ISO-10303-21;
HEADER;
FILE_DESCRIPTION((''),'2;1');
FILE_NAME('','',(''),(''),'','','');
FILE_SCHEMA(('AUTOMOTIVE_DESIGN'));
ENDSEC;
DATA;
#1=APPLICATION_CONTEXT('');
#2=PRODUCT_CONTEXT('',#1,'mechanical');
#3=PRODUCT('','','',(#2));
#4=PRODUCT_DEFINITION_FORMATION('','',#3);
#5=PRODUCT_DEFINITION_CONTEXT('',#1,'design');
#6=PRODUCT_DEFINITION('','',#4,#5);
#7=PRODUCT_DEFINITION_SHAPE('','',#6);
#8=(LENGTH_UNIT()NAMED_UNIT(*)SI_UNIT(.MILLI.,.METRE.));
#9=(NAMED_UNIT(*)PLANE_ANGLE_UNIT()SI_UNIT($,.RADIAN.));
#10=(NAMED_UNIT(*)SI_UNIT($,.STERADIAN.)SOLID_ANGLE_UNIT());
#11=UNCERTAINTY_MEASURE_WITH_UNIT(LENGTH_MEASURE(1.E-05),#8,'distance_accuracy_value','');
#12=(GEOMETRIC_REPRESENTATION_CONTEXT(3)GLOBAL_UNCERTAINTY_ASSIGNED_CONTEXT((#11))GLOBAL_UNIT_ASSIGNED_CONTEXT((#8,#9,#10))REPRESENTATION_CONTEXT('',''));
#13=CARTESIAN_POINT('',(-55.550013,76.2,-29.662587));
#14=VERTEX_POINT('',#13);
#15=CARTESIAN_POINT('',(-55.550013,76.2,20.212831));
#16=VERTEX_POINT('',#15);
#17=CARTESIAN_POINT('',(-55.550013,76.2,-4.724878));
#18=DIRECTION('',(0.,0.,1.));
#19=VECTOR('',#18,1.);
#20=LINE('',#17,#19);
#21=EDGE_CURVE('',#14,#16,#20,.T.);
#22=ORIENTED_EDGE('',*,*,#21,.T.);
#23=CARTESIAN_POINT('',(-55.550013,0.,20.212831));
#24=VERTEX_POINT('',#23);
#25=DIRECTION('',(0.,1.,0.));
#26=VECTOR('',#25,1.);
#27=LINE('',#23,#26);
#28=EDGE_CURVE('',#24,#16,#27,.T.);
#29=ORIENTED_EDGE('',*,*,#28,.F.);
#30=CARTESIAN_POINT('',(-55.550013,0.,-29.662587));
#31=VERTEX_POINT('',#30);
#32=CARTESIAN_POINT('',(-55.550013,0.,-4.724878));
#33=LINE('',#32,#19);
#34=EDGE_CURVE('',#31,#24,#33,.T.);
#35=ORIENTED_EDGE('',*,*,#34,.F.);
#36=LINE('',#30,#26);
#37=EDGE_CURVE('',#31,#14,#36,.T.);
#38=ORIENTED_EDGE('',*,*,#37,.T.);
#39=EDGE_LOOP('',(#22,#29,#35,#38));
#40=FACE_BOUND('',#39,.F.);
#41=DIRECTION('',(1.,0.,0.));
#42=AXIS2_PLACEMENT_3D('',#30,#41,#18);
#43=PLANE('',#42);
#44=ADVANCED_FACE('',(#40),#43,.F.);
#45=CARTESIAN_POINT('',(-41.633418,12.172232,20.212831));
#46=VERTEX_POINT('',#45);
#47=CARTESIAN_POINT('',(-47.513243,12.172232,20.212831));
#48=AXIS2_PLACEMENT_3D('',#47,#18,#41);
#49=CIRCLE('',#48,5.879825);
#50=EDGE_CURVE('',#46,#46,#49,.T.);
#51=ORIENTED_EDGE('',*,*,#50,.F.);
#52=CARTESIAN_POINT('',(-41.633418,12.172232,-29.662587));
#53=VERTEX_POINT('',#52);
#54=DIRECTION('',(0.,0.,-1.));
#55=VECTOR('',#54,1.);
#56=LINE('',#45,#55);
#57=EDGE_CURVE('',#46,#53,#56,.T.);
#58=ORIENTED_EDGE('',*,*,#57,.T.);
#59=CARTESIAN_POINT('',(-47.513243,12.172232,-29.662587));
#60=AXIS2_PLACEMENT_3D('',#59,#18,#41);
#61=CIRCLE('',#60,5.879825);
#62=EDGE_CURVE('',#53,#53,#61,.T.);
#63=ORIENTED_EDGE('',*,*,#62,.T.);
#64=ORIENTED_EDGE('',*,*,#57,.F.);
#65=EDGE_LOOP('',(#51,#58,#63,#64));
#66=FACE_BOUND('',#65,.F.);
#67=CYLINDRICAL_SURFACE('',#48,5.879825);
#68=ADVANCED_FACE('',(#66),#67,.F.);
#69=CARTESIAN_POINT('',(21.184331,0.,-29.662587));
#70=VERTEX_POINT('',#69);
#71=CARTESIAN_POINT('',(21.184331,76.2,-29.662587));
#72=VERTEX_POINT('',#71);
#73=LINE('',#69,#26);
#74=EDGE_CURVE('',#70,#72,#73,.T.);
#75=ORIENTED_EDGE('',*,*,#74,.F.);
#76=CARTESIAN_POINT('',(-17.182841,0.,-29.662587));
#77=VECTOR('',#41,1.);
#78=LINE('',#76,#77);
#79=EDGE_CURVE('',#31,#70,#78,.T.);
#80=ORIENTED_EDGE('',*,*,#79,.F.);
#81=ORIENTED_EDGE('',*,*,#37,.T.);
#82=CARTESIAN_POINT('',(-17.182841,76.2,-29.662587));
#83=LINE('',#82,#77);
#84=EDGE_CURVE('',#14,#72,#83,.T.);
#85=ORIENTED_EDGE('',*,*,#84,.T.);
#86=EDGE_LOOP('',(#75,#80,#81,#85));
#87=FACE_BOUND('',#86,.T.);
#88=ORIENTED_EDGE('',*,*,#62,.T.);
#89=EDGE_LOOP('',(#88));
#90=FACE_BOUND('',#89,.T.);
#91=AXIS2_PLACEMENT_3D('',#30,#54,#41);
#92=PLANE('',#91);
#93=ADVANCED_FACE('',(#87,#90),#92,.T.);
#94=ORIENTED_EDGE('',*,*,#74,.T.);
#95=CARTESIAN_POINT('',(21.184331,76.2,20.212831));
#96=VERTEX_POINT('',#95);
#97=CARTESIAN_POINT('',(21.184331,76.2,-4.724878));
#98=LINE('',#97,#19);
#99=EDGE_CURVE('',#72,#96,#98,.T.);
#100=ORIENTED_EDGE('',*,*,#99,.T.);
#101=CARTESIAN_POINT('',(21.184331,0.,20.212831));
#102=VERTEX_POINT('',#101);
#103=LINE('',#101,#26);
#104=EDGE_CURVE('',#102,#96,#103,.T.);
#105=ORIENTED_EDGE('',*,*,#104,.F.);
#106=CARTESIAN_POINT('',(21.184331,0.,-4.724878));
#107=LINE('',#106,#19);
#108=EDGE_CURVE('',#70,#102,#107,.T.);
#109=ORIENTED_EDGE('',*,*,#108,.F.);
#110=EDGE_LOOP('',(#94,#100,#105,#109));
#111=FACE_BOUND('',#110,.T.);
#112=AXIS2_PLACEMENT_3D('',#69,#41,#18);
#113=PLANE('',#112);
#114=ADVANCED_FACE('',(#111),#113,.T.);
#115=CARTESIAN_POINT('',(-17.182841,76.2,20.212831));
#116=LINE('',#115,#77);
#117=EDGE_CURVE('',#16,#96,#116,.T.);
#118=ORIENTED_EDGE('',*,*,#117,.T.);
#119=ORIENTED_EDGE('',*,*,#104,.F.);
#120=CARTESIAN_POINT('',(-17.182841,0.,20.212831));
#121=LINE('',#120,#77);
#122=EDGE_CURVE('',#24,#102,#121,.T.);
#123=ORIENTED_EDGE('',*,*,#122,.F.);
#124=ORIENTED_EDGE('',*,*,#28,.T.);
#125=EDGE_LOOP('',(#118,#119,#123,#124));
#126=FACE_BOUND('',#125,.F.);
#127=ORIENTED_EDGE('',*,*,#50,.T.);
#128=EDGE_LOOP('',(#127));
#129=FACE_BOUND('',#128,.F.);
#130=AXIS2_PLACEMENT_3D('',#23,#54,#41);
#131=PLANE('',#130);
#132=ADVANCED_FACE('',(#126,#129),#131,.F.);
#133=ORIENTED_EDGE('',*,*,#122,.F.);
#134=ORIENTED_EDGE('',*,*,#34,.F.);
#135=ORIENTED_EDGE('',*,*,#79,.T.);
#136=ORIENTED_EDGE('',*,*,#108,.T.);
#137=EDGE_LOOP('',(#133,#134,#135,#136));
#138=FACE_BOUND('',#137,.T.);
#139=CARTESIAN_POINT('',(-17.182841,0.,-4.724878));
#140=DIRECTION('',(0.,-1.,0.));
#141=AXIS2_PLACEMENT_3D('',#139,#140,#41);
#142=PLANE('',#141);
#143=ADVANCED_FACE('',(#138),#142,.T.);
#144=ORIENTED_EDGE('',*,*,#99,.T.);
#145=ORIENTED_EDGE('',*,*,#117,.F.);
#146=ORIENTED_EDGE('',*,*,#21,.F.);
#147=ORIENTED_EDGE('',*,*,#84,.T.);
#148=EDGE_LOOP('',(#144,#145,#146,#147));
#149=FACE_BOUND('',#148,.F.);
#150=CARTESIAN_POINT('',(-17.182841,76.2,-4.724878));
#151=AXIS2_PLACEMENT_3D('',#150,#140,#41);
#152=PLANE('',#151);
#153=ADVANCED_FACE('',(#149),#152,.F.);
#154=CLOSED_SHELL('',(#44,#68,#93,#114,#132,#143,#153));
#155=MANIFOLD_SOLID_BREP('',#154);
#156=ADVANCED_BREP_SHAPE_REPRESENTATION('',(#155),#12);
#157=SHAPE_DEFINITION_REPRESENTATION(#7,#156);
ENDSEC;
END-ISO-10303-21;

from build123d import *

# Parameters (mm, degrees)
F0_W     = 76.734344
F0_H     = 49.875418
F1_DEPTH = 76.2
F2_R     = 5.879825
F3_DEPTH = 50.8


with BuildPart() as f1:
    # F0 (on Front) → F1 (new body)
    with BuildSketch(Plane.XZ):
        with Locations((-17.182841, -4.724878)):
            Rectangle(F0_W, F0_H)
    extrude(amount=-F1_DEPTH)

    # F2 (on face) → F3 (cut)
    with BuildSketch(Plane.XY.offset(20.212831)):
        with Locations((-47.513243, 12.172232)):
            Circle(F2_R)
    extrude(amount=-F3_DEPTH, mode=Mode.SUBTRACT)


solid = f1.part
